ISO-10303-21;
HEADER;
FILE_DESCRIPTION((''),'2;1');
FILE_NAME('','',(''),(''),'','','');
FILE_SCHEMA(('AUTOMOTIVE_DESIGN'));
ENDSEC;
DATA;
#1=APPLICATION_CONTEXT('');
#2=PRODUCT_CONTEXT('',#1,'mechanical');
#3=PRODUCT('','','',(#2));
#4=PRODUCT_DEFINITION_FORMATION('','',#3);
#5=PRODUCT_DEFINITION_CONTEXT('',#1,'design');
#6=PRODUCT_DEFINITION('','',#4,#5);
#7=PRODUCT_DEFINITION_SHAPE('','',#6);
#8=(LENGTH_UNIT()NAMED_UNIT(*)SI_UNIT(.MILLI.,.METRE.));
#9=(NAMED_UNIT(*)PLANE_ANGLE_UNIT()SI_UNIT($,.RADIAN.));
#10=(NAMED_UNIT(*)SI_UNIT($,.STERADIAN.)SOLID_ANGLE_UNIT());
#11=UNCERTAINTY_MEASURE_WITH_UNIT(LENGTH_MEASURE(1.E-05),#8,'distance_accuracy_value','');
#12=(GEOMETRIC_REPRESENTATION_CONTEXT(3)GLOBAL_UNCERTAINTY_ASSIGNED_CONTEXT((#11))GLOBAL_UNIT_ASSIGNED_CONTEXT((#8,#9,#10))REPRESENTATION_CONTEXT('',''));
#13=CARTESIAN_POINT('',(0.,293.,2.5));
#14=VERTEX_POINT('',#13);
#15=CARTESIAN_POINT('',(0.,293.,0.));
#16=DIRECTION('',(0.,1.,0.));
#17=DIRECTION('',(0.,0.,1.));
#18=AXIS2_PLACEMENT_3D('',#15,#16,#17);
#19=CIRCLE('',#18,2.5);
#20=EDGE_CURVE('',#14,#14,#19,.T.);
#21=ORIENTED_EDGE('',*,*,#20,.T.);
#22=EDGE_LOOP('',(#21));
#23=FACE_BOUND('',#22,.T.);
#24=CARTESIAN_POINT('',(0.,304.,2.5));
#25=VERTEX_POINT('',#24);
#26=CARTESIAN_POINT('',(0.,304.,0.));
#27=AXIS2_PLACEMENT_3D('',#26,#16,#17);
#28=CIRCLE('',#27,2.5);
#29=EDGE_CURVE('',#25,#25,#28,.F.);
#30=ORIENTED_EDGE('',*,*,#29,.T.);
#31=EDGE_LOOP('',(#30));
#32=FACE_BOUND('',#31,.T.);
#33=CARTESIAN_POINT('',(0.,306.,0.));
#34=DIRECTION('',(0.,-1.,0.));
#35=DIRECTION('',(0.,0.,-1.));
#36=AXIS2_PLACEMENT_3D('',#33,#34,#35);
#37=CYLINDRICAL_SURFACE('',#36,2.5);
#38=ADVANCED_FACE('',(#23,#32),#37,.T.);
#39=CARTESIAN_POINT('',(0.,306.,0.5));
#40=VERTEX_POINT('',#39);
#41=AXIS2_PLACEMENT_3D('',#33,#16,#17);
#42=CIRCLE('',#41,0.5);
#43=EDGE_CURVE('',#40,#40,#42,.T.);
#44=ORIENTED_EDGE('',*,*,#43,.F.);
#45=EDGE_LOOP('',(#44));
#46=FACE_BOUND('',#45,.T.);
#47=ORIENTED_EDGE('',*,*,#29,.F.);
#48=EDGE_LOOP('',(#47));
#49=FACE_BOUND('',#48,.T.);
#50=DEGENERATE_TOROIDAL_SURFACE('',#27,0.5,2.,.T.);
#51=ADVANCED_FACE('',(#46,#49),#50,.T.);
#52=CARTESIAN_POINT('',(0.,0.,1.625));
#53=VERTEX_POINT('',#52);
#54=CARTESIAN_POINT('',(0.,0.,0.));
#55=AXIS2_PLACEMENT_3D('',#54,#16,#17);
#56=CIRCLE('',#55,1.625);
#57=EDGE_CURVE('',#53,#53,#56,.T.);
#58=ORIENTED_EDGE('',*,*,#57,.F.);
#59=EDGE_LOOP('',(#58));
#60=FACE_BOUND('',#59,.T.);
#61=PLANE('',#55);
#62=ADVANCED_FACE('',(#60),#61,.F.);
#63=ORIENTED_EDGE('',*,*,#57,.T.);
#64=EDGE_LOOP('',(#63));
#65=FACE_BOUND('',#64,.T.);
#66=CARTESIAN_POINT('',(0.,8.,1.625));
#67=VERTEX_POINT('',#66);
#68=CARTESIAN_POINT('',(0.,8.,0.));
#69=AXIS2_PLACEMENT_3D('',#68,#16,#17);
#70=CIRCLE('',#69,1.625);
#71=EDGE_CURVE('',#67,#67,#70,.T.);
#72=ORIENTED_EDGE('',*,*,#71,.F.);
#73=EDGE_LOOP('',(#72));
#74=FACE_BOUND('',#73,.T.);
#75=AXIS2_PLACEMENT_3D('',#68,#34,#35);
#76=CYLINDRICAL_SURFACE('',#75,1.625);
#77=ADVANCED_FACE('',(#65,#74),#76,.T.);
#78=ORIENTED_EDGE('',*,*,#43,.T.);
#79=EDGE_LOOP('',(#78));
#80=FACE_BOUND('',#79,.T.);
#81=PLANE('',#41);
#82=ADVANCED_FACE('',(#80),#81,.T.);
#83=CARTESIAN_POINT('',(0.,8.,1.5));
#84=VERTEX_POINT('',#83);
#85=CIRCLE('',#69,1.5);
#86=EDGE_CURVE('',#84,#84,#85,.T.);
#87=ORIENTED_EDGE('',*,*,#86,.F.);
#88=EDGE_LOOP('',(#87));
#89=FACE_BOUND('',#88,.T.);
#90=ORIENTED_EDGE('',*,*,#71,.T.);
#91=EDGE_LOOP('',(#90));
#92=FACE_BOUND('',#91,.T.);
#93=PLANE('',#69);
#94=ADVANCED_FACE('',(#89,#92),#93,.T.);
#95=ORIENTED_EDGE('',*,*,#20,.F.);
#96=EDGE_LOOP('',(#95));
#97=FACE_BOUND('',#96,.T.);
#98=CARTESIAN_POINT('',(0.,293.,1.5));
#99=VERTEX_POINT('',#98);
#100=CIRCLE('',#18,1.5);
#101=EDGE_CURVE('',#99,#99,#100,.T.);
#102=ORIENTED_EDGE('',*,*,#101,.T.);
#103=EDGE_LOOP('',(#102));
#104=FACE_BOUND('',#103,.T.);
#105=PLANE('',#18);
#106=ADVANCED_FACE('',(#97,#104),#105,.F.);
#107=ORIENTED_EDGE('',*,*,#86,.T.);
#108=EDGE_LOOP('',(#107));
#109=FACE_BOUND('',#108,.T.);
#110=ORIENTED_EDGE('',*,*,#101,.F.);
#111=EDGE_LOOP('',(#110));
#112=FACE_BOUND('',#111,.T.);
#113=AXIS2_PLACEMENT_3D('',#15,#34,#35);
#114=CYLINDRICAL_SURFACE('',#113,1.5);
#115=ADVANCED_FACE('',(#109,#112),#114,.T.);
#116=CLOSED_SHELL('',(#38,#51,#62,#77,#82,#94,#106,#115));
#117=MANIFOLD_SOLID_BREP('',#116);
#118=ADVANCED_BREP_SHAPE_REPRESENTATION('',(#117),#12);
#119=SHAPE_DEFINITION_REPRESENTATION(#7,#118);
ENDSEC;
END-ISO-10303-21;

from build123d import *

# Parameters (mm, degrees)
SKETCH2_R           = 1.625
BOSS_EXTRUDE2_DEPTH = 8
SKETCH4_R           = 1.5
BOSS_EXTRUDE3_DEPTH = 285
SKETCH5_R           = 2.5
BOSS_EXTRUDE4_DEPTH = 13
FILLET1_R           = 2


with BuildPart() as part:
    # Sketch2 → Boss-Extrude2 (new body)
    with BuildSketch(Plane(origin=(0, 0, 0), x_dir=(1, 0, 0), z_dir=(0, 1, 0))):
        with Locations(Location((0, 0, 0), (0, 0, 270))):
            Circle(SKETCH2_R)
    extrude(amount=BOSS_EXTRUDE2_DEPTH)

    # Sketch4 → Boss-Extrude3 (add)
    with BuildSketch(Plane(origin=(0, 8, 0), x_dir=(1, 0, 0), z_dir=(0, 1, 0))):
        with Locations(Location((0, 0, 0), (0, 0, 270))):
            Circle(SKETCH4_R)
    extrude(amount=BOSS_EXTRUDE3_DEPTH)

    # Sketch5 → Boss-Extrude4 (add)
    with BuildSketch(Plane(origin=(0, 293, 0), x_dir=(1, 0, 0), z_dir=(0, 1, 0))):
        with Locations(Location((0, 0, 0), (0, 0, 270))):
            Circle(SKETCH5_R)
    extrude(amount=BOSS_EXTRUDE4_DEPTH)

    # Fillet1
    fillet1_edges = [part.edges().sort_by_distance(p)[0] for p in [
        (0, 306, -2.5),
    ]]
    fillet(fillet1_edges, radius=FILLET1_R)


solid = part.part
